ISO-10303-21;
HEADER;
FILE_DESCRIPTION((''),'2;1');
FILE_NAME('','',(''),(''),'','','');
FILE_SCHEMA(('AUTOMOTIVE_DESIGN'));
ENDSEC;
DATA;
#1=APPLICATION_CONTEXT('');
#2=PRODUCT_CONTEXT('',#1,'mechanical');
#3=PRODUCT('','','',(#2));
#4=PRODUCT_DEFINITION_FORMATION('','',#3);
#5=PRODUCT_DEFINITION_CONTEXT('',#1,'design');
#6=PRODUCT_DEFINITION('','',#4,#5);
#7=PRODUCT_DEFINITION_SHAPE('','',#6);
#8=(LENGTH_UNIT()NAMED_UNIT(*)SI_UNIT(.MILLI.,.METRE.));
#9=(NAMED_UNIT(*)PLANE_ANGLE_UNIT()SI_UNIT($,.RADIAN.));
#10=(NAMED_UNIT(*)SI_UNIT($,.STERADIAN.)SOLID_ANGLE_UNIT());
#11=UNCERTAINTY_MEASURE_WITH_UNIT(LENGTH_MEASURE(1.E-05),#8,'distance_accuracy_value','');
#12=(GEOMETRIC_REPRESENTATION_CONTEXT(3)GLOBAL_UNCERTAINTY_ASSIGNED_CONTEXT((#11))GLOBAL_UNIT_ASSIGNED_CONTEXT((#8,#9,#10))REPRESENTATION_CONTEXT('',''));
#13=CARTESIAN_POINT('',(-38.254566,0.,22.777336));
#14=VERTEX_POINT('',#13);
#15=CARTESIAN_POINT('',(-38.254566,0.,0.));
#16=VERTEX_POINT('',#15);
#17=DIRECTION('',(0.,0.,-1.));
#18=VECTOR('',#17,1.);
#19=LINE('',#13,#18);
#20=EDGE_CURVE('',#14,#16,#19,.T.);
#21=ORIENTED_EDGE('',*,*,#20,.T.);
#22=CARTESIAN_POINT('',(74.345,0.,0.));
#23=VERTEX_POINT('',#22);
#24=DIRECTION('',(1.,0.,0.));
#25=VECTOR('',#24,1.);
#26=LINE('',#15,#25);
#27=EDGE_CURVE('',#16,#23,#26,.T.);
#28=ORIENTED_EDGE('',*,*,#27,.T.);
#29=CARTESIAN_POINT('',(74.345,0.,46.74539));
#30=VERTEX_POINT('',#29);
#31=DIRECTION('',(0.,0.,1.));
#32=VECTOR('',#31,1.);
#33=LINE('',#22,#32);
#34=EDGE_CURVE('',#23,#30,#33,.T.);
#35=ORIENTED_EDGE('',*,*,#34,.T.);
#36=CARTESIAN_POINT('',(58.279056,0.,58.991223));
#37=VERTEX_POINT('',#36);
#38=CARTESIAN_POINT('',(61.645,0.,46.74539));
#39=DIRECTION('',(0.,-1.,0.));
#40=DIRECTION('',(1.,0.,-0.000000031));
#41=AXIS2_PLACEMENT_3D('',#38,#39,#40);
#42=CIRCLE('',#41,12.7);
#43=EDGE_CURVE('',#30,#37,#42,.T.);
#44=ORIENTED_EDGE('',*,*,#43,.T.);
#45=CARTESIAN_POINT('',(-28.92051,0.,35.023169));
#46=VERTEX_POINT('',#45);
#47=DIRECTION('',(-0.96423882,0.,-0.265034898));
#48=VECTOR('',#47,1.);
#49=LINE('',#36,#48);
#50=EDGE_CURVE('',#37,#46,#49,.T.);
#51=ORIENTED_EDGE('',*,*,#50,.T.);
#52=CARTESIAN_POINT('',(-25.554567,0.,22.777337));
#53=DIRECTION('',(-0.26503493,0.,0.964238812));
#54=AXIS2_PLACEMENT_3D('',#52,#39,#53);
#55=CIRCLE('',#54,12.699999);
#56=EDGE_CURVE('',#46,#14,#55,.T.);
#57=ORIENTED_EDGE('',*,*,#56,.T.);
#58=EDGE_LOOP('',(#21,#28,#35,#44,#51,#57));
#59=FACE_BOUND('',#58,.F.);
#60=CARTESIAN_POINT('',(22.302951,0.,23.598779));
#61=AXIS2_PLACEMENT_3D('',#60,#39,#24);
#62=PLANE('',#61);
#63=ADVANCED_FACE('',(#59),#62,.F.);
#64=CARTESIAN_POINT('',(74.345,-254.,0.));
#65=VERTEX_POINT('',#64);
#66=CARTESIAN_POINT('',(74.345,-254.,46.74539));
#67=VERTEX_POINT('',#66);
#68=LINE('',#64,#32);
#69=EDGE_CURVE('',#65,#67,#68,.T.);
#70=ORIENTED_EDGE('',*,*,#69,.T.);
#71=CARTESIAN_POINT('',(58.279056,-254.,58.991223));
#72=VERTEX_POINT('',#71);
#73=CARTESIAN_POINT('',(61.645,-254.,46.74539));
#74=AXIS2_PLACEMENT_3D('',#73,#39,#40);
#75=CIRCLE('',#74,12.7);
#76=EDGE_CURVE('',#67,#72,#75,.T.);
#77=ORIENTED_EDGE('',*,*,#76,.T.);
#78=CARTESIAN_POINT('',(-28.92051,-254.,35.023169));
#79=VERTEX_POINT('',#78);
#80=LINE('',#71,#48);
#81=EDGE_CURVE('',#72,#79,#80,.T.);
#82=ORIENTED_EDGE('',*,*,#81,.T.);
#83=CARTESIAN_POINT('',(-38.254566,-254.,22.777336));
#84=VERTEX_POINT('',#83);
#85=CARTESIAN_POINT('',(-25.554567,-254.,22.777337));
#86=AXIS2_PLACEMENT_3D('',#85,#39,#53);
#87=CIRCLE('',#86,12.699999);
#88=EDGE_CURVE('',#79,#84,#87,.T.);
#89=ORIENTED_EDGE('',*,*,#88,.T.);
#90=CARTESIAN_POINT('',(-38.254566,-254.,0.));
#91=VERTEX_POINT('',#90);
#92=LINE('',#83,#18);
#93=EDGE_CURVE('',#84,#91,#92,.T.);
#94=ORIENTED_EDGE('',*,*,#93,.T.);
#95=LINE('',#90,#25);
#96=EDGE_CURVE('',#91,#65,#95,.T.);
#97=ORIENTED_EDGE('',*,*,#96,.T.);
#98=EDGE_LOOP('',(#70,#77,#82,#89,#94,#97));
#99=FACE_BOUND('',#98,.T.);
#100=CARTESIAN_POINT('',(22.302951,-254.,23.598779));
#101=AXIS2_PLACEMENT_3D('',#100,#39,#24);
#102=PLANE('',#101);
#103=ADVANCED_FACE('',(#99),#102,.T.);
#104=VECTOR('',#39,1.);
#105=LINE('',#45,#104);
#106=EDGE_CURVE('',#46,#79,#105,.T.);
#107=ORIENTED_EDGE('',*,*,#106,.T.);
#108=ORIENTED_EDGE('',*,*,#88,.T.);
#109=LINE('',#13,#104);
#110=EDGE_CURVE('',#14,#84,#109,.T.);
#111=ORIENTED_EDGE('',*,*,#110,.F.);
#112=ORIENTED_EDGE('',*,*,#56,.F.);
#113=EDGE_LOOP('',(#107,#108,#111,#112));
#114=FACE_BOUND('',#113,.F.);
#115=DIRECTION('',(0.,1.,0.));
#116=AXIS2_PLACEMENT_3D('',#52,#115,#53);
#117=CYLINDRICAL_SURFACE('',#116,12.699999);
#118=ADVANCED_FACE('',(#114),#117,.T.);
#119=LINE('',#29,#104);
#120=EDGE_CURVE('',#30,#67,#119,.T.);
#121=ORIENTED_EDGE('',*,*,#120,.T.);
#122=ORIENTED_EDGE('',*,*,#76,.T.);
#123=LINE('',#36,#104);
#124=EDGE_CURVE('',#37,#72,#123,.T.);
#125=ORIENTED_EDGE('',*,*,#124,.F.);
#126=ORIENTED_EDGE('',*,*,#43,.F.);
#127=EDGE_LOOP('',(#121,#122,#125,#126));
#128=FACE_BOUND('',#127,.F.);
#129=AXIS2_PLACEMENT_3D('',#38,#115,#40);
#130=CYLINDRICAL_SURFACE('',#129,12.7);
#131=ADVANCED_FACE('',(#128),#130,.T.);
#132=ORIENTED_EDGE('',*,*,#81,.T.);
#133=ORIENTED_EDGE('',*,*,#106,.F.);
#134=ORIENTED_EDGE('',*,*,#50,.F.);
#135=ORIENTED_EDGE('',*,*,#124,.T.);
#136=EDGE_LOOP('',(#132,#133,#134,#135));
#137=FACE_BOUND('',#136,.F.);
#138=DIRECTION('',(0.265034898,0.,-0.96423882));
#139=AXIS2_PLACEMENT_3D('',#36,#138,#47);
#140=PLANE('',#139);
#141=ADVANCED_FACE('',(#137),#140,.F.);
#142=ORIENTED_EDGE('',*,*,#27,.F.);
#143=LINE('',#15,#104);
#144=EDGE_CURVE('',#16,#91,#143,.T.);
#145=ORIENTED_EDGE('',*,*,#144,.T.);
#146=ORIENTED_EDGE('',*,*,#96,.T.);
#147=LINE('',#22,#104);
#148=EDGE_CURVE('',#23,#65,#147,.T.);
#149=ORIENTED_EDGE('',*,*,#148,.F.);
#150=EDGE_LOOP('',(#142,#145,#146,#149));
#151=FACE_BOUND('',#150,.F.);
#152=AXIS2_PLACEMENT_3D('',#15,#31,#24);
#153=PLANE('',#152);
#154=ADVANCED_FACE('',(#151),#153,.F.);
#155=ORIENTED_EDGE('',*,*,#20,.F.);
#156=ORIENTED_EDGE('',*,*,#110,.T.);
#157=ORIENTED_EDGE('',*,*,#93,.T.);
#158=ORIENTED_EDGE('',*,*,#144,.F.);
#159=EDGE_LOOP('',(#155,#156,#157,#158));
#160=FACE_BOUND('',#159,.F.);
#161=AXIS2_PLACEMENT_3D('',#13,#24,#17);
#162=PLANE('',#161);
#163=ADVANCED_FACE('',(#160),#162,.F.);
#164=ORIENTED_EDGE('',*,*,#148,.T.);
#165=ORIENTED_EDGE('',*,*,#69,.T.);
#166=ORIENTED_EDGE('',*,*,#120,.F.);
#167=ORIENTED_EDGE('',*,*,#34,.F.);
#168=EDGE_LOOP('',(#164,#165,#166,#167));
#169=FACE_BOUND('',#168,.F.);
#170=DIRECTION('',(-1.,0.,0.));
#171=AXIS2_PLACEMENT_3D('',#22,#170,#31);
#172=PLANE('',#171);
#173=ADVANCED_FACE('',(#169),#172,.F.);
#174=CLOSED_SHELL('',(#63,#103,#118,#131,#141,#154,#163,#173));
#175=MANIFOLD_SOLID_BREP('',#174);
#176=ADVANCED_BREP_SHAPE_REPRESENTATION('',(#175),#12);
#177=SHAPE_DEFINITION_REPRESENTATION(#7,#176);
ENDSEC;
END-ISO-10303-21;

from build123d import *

# Parameters (mm, degrees)
F1_DEPTH = 254


with BuildPart() as f1:
    # F0 (on Front) → F1 (new body)
    with BuildSketch(Plane.XZ):
        with BuildLine():
            Line((-38.254566, 22.777336), (-38.254566, 0))
            Line((-38.254566, 0), (74.345, 0))
            Line((74.345, 0), (74.345, 46.74539))
            ThreePointArc((74.345, 46.74539), (69.343783, 56.845823), (58.279056, 58.991223))
            Line((58.279056, 58.991223), (-28.92051, 35.023169))
            ThreePointArc((-28.92051, 35.023169), (-35.654999, 30.476119), (-38.254566, 22.777336))
        make_face()
    extrude(amount=F1_DEPTH)


solid = f1.part
